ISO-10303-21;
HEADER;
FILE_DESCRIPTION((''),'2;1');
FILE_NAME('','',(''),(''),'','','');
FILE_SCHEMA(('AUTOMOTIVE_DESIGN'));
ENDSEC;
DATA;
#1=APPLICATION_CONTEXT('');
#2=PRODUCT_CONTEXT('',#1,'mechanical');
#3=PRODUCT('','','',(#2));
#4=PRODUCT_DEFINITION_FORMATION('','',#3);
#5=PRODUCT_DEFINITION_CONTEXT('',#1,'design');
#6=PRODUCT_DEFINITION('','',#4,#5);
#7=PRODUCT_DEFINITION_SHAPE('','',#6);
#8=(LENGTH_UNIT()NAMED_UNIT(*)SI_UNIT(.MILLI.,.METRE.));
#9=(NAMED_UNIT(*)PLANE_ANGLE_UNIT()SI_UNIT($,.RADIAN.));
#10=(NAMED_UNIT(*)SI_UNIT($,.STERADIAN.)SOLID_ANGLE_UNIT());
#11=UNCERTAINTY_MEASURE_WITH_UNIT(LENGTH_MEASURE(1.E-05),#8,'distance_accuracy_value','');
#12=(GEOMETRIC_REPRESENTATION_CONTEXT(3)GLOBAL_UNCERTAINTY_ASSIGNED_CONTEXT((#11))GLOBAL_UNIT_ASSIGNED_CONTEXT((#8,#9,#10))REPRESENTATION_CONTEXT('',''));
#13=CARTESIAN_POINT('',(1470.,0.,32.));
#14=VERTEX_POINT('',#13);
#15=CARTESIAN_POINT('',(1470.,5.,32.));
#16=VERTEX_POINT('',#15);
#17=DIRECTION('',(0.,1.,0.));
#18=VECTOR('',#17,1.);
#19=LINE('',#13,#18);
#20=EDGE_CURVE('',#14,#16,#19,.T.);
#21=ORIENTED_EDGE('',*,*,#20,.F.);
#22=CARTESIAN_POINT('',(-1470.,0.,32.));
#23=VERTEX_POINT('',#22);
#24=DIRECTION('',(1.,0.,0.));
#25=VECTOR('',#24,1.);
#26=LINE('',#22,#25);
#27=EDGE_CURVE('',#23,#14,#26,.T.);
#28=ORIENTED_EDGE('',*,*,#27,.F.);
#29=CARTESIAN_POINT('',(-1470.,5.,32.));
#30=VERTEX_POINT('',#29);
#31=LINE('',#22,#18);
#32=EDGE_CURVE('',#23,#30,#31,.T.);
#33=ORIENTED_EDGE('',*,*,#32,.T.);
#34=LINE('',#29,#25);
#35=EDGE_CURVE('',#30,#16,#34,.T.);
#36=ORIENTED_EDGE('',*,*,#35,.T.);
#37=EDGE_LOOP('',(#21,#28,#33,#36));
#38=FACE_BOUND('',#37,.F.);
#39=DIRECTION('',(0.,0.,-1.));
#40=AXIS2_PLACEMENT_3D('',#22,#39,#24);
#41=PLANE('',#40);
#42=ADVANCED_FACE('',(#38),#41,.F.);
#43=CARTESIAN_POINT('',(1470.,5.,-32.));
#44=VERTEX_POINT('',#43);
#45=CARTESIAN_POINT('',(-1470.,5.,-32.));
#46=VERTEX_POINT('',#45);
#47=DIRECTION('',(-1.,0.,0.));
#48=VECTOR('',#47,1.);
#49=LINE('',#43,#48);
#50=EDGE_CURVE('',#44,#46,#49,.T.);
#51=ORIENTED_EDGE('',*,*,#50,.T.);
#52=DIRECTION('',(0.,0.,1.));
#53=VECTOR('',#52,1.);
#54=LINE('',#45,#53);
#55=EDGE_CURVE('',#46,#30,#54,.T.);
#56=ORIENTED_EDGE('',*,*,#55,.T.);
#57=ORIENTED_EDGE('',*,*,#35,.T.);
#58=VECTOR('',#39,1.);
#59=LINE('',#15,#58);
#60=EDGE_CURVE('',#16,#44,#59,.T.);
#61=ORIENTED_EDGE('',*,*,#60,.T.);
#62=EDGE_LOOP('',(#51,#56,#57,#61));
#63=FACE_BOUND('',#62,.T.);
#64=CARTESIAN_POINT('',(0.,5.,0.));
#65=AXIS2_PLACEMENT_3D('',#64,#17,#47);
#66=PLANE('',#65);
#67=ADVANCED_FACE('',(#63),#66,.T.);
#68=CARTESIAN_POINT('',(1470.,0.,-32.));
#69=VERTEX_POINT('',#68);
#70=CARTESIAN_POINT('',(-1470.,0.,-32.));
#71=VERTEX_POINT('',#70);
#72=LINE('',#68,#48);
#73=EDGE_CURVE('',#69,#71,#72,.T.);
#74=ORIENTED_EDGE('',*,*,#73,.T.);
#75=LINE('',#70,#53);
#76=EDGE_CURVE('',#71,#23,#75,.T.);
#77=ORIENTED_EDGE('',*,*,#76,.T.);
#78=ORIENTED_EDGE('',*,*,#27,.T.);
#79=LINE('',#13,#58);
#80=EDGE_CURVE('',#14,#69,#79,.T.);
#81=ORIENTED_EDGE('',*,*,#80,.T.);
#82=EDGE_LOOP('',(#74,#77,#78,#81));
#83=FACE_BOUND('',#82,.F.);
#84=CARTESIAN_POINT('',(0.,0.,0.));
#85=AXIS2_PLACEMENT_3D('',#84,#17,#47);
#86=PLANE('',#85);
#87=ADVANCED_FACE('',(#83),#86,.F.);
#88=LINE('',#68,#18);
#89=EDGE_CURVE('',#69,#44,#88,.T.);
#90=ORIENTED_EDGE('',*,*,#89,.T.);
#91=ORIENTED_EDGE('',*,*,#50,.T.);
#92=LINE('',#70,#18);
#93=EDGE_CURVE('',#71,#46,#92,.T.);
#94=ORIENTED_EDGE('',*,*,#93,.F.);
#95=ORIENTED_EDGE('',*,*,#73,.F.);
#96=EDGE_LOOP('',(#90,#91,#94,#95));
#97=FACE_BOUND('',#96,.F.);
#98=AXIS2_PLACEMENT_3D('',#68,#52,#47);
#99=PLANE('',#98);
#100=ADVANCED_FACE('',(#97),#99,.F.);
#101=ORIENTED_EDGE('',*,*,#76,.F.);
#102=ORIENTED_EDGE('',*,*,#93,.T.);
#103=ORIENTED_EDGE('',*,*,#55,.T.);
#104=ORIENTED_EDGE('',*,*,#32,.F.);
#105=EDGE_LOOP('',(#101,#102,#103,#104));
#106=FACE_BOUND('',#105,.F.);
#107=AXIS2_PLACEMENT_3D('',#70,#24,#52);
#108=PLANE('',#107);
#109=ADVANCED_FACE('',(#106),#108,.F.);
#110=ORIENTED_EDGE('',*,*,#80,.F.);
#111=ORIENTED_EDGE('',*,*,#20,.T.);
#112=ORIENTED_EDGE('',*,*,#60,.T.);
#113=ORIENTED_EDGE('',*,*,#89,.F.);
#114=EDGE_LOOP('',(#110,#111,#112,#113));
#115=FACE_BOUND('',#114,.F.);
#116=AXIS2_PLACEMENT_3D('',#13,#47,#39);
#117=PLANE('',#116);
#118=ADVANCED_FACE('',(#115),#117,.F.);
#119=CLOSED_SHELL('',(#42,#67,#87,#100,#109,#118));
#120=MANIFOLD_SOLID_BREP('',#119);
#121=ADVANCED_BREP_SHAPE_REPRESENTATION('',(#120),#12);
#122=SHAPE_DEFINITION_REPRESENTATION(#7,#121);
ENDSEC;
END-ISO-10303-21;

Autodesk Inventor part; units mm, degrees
ref_plane "YZ Plane" through (0, 0, 0) normal (1, 0, 0) x (0, 1, 0)
ref_plane "XZ Plane" through (0, 0, 0) normal (0, 1, 0) x (-1, 0, 0)
ref_plane "XY Plane" through (0, 0, 0) normal (0, 0, 1) x (1, 0, 0)
sketch "Эскиз1" plane through (0, 0, 0) normal (0, 1, 0) x (-1, 0, 0)
  line L0 (1470, 32) -> (-1470, 32)
  line L1 (-1470, 32) -> (-1470, -32)
  line L2 (-1470, -32) -> (1470, -32)
  line L3 (1470, -32) -> (1470, 32)
  line L4 (1470, 32) -> (-1470, -32) construction
  line L5 (-1470, 32) -> (1470, -32) construction
  point P0 (0, 0)
  dimension "d0" = 2940
  dimension "d1" = 64
extrude "Пластина1" add sketch "Эскиз1" along normal blind 5
equation "\"d2\" = Толщина"
equation "\"Радиус_гибки\" = Толщина"
equation "\"Ширина_просечки\" = Толщина"
equation "\"Глубина_просечки\" = 0.5 * Толщина"
equation "\"Радиус_перехода\" = Радиус_гибки"
equation "\"Радиус_Якоби\" = Радиус_гибки"
equation "\"Размер_зазора\" = Толщина"
equation "\"Толщина\" = 5"
properties part number "0922_CPY" material "Steel"
